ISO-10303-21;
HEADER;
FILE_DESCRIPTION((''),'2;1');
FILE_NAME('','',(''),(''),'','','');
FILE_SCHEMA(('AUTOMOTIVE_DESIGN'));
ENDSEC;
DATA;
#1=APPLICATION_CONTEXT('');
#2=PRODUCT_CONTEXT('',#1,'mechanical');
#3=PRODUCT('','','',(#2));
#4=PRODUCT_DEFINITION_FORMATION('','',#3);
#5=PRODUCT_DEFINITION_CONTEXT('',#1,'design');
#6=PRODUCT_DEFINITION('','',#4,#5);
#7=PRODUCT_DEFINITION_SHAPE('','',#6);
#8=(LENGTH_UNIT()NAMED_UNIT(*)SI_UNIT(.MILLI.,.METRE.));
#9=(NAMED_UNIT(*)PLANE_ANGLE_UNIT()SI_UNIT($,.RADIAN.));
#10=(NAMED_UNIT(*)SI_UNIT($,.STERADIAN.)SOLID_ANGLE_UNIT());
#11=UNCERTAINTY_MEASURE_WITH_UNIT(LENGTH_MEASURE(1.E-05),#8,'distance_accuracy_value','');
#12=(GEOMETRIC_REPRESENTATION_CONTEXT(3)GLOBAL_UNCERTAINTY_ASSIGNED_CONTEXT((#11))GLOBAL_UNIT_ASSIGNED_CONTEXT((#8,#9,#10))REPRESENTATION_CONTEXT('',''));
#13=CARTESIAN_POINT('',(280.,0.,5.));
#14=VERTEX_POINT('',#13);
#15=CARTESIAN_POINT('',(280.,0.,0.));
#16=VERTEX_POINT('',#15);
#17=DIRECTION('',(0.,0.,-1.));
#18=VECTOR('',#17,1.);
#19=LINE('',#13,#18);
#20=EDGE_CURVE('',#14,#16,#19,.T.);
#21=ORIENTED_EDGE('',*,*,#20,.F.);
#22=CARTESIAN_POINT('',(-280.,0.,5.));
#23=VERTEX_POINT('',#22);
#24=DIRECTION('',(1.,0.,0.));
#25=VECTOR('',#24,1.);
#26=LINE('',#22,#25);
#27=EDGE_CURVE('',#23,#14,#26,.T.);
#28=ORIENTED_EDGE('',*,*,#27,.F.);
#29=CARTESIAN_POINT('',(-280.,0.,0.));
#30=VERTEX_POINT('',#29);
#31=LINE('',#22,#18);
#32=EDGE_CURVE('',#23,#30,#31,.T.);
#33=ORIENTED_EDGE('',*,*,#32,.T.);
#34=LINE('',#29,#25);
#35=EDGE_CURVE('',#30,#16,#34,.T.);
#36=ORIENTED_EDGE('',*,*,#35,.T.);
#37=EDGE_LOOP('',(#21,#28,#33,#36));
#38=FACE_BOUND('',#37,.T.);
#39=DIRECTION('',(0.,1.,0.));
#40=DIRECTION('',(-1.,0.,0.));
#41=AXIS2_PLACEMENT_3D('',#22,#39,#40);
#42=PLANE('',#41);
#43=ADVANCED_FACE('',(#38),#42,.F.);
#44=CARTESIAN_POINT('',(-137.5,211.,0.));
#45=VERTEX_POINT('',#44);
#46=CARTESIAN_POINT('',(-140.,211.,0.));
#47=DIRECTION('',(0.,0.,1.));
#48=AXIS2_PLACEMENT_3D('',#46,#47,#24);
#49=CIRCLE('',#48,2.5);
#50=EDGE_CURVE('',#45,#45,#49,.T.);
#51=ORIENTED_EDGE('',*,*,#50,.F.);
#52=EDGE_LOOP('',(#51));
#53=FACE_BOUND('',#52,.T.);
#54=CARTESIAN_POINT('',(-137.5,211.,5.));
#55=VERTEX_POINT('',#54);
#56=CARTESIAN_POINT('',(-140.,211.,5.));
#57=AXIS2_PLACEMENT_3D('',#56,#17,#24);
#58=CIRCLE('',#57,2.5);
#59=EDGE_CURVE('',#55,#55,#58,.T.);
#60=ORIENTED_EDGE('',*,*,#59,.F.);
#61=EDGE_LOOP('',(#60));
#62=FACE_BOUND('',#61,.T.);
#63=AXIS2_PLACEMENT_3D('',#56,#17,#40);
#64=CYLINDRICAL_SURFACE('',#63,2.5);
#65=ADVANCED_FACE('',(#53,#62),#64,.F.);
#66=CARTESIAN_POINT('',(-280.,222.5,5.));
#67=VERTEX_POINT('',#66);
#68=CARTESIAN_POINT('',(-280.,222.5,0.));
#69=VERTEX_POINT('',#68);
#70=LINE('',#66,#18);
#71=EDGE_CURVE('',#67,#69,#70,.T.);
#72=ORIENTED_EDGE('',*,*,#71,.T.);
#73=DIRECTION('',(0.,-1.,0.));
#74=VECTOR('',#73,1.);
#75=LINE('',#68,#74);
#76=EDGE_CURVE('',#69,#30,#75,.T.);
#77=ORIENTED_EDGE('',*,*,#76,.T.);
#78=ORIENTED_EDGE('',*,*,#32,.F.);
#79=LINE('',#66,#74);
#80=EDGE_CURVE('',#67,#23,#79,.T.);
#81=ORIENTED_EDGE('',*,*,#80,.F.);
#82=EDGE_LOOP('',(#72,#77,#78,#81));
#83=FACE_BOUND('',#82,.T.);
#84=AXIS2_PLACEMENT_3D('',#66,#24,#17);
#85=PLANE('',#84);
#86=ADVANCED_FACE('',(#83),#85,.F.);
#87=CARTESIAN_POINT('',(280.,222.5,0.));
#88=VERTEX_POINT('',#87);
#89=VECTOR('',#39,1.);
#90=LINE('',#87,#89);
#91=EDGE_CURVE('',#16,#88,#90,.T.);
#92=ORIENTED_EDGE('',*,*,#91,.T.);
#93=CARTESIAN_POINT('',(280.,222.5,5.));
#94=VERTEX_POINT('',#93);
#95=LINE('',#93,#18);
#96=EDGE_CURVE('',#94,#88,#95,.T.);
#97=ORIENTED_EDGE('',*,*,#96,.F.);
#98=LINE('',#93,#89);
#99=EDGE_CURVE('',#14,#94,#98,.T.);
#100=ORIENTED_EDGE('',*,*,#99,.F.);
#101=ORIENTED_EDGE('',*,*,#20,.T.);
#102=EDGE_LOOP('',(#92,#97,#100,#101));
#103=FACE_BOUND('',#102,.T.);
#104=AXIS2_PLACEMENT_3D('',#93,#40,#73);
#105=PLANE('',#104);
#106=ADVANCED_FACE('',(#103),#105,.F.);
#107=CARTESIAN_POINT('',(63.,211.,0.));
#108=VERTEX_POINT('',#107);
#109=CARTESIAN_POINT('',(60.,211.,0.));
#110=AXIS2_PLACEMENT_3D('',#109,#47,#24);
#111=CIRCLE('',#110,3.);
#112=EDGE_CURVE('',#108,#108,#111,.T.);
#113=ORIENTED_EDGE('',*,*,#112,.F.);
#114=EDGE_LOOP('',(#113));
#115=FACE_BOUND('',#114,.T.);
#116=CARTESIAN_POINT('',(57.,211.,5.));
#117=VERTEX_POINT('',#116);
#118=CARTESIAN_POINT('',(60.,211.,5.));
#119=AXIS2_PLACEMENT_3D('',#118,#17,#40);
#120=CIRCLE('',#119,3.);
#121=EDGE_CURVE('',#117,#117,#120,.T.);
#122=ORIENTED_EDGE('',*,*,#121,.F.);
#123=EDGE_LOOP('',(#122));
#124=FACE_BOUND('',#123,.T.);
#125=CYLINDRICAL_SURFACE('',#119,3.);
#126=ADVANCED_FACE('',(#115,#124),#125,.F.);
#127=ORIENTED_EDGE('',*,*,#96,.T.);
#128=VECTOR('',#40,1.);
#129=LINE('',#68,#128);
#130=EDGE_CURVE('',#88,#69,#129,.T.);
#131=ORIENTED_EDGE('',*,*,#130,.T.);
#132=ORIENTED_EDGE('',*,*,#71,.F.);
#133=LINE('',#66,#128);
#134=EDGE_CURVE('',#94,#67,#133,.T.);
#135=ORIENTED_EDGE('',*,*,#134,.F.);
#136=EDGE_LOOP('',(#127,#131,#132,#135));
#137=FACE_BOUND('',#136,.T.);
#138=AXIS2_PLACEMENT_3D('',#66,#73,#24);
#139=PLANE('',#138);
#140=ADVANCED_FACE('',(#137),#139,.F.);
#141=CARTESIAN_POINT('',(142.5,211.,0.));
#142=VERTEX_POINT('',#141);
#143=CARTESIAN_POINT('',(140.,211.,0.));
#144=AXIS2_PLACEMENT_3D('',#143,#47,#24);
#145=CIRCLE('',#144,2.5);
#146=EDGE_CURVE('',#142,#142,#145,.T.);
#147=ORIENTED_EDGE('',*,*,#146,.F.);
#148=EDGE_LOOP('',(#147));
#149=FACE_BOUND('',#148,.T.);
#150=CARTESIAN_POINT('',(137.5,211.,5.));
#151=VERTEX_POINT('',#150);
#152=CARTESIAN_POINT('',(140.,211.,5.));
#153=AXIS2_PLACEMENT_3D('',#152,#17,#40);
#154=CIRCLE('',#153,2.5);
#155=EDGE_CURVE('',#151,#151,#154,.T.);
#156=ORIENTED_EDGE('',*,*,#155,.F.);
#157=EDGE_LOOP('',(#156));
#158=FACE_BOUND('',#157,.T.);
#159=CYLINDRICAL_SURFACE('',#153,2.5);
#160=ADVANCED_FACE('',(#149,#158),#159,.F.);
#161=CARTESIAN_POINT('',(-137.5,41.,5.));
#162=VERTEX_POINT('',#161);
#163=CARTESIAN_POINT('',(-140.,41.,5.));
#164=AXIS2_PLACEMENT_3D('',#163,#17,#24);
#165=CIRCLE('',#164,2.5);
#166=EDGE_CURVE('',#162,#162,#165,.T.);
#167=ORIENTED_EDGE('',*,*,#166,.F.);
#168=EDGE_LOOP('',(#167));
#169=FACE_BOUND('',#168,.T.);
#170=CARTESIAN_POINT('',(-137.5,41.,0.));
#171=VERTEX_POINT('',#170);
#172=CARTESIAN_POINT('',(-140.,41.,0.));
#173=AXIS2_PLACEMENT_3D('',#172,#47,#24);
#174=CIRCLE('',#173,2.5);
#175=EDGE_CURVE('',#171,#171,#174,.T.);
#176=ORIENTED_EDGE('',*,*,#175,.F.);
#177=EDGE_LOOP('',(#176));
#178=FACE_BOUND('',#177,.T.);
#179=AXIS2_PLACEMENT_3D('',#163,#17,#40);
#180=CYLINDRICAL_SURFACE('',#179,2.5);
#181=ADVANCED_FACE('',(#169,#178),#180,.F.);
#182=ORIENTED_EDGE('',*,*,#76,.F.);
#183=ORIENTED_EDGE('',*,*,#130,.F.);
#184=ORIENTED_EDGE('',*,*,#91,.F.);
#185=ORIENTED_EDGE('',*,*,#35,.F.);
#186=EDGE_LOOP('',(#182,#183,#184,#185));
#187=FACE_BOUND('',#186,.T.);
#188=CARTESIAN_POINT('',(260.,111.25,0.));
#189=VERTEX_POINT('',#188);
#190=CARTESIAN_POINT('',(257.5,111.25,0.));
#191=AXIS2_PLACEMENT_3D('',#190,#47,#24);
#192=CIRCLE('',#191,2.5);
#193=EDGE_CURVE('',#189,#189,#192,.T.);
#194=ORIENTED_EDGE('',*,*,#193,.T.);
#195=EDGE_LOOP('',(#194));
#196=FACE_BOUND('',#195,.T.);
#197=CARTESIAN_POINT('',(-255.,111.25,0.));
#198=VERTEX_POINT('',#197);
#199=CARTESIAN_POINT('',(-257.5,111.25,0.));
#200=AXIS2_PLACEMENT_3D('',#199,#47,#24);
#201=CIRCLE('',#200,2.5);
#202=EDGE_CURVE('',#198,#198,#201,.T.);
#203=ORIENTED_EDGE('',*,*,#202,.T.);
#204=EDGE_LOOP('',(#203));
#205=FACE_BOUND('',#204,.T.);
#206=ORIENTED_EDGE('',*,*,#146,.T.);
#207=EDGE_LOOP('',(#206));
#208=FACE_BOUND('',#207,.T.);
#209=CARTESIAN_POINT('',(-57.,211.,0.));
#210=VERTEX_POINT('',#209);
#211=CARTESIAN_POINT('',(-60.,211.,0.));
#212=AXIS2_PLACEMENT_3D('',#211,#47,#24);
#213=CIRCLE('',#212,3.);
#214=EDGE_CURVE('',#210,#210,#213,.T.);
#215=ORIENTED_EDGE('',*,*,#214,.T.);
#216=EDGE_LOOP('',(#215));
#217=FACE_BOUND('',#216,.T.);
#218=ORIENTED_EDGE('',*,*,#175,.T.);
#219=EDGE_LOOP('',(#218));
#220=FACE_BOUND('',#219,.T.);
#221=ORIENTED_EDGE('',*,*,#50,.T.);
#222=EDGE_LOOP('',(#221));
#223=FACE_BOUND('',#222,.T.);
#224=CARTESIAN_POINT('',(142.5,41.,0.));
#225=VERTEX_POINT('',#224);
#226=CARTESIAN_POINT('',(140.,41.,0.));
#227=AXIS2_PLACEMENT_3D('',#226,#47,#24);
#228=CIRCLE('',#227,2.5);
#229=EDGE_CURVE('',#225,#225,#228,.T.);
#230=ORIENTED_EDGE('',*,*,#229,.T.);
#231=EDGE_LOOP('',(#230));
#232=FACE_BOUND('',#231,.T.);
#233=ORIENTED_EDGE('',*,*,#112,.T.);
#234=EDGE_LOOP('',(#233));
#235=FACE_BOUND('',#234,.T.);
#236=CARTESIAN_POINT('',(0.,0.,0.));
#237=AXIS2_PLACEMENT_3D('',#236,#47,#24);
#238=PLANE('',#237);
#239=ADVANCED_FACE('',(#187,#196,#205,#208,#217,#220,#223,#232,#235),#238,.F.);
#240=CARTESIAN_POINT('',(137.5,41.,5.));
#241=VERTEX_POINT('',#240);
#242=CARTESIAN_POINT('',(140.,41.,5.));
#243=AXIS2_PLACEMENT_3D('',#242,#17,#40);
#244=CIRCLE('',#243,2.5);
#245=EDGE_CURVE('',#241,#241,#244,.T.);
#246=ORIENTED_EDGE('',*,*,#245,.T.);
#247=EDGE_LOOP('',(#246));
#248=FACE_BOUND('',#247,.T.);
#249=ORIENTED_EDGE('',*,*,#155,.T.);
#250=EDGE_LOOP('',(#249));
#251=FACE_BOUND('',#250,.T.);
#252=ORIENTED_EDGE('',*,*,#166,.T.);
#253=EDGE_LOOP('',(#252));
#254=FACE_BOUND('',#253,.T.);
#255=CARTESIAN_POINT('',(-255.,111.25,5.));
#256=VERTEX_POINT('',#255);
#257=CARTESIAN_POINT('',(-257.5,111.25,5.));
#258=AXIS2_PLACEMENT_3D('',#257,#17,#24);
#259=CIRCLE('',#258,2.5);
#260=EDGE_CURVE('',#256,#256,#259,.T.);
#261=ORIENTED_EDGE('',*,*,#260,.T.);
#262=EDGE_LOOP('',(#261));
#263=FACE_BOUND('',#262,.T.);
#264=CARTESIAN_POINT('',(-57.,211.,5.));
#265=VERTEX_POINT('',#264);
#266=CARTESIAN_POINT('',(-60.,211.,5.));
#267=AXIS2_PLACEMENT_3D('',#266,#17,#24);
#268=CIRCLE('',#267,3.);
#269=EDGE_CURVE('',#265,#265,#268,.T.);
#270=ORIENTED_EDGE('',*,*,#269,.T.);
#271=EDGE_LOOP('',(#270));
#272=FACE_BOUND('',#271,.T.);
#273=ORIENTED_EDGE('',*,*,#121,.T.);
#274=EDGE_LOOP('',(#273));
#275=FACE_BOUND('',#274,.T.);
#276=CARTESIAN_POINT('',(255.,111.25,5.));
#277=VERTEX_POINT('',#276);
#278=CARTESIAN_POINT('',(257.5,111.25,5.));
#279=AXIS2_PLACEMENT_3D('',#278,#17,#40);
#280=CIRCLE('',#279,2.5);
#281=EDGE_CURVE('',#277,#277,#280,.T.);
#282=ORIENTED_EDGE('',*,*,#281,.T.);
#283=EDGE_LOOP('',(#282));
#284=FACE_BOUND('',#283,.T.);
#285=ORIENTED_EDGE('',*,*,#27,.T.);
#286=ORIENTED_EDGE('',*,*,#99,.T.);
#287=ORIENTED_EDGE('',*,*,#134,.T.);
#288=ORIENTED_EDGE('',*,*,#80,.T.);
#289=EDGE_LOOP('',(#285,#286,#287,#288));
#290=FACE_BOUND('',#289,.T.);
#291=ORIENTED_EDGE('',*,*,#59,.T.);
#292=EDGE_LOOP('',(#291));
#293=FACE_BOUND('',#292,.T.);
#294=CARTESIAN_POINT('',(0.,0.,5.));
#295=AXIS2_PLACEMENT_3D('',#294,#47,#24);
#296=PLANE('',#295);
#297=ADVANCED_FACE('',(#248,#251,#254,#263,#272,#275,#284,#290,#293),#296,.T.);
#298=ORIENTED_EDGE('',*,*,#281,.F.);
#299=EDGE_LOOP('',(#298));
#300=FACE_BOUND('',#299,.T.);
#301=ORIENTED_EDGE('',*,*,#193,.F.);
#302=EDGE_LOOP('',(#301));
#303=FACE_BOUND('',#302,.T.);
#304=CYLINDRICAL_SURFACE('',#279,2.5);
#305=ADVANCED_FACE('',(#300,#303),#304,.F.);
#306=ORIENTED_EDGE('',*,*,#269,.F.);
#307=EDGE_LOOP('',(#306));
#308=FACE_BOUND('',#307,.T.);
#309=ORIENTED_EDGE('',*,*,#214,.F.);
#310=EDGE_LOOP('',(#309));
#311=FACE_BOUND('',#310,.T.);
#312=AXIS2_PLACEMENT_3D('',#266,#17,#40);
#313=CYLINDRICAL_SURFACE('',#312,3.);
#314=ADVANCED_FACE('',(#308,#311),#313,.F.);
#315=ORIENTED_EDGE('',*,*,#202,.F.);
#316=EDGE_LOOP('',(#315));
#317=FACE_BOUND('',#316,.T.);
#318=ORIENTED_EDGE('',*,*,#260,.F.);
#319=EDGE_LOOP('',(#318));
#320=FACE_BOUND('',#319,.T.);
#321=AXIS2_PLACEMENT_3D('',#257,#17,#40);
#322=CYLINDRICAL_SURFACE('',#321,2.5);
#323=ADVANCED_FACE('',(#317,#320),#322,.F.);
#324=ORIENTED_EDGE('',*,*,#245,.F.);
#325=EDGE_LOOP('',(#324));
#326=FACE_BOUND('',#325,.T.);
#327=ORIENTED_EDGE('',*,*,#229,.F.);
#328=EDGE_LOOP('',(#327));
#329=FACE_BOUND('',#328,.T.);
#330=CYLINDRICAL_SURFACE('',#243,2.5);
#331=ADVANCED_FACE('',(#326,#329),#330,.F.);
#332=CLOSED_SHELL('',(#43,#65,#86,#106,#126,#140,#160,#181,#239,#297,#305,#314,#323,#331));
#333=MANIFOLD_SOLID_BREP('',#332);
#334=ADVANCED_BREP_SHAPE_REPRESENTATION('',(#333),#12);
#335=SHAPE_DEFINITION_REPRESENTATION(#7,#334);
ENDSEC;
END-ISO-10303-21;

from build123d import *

# Parameters (mm, degrees)
SKETCH_1_W               = 560
SKETCH_1_H               = 222.5
EXTRUDE_1_DEPTH          = 5
CUT_EXTRUDE_3_DEPTH      = 358.674782449
CUT_EXTRUDE_3_DEPTH_BACK = 358.674782449
SKETCH_4_R               = 2.5
SKETCH_4_R_2             = 3


with BuildPart() as part:
    # 草图1 → 凸台-拉伸1 (new body)
    with BuildSketch(Plane.XY):
        with Locations((0, 111.25)):
            Rectangle(SKETCH_1_W, SKETCH_1_H)
    extrude(amount=EXTRUDE_1_DEPTH)

    # 草图4 → 切除-拉伸3 (cut, two sides: drawn at the far end of the back side and taken through both)
    with BuildSketch(Plane(origin=(0, 0, 0), x_dir=(-1, 0, 0), z_dir=(0, 0, -1)).offset(-CUT_EXTRUDE_3_DEPTH_BACK)):
        with Locations((-257.5, 111.25)):
            Circle(SKETCH_4_R)
        with Locations((-60, 211)):
            Circle(SKETCH_4_R_2)
        with Locations((-140, 211)):
            Circle(SKETCH_4_R)
        with Locations((-140, 41)):
            Circle(SKETCH_4_R)
        with Locations(Location((257.5, 111.25, 0), (0, 0, 180))):
            Circle(SKETCH_4_R)
        with Locations(Location((140, 211, 0), (0, 0, 180))):
            Circle(SKETCH_4_R)
        with Locations(Location((60, 211, 0), (0, 0, 180))):
            Circle(SKETCH_4_R_2)
        with Locations(Location((140, 41, 0), (0, 0, 180))):
            Circle(SKETCH_4_R)
    extrude(amount=CUT_EXTRUDE_3_DEPTH + CUT_EXTRUDE_3_DEPTH_BACK, mode=Mode.SUBTRACT)


solid = part.part
